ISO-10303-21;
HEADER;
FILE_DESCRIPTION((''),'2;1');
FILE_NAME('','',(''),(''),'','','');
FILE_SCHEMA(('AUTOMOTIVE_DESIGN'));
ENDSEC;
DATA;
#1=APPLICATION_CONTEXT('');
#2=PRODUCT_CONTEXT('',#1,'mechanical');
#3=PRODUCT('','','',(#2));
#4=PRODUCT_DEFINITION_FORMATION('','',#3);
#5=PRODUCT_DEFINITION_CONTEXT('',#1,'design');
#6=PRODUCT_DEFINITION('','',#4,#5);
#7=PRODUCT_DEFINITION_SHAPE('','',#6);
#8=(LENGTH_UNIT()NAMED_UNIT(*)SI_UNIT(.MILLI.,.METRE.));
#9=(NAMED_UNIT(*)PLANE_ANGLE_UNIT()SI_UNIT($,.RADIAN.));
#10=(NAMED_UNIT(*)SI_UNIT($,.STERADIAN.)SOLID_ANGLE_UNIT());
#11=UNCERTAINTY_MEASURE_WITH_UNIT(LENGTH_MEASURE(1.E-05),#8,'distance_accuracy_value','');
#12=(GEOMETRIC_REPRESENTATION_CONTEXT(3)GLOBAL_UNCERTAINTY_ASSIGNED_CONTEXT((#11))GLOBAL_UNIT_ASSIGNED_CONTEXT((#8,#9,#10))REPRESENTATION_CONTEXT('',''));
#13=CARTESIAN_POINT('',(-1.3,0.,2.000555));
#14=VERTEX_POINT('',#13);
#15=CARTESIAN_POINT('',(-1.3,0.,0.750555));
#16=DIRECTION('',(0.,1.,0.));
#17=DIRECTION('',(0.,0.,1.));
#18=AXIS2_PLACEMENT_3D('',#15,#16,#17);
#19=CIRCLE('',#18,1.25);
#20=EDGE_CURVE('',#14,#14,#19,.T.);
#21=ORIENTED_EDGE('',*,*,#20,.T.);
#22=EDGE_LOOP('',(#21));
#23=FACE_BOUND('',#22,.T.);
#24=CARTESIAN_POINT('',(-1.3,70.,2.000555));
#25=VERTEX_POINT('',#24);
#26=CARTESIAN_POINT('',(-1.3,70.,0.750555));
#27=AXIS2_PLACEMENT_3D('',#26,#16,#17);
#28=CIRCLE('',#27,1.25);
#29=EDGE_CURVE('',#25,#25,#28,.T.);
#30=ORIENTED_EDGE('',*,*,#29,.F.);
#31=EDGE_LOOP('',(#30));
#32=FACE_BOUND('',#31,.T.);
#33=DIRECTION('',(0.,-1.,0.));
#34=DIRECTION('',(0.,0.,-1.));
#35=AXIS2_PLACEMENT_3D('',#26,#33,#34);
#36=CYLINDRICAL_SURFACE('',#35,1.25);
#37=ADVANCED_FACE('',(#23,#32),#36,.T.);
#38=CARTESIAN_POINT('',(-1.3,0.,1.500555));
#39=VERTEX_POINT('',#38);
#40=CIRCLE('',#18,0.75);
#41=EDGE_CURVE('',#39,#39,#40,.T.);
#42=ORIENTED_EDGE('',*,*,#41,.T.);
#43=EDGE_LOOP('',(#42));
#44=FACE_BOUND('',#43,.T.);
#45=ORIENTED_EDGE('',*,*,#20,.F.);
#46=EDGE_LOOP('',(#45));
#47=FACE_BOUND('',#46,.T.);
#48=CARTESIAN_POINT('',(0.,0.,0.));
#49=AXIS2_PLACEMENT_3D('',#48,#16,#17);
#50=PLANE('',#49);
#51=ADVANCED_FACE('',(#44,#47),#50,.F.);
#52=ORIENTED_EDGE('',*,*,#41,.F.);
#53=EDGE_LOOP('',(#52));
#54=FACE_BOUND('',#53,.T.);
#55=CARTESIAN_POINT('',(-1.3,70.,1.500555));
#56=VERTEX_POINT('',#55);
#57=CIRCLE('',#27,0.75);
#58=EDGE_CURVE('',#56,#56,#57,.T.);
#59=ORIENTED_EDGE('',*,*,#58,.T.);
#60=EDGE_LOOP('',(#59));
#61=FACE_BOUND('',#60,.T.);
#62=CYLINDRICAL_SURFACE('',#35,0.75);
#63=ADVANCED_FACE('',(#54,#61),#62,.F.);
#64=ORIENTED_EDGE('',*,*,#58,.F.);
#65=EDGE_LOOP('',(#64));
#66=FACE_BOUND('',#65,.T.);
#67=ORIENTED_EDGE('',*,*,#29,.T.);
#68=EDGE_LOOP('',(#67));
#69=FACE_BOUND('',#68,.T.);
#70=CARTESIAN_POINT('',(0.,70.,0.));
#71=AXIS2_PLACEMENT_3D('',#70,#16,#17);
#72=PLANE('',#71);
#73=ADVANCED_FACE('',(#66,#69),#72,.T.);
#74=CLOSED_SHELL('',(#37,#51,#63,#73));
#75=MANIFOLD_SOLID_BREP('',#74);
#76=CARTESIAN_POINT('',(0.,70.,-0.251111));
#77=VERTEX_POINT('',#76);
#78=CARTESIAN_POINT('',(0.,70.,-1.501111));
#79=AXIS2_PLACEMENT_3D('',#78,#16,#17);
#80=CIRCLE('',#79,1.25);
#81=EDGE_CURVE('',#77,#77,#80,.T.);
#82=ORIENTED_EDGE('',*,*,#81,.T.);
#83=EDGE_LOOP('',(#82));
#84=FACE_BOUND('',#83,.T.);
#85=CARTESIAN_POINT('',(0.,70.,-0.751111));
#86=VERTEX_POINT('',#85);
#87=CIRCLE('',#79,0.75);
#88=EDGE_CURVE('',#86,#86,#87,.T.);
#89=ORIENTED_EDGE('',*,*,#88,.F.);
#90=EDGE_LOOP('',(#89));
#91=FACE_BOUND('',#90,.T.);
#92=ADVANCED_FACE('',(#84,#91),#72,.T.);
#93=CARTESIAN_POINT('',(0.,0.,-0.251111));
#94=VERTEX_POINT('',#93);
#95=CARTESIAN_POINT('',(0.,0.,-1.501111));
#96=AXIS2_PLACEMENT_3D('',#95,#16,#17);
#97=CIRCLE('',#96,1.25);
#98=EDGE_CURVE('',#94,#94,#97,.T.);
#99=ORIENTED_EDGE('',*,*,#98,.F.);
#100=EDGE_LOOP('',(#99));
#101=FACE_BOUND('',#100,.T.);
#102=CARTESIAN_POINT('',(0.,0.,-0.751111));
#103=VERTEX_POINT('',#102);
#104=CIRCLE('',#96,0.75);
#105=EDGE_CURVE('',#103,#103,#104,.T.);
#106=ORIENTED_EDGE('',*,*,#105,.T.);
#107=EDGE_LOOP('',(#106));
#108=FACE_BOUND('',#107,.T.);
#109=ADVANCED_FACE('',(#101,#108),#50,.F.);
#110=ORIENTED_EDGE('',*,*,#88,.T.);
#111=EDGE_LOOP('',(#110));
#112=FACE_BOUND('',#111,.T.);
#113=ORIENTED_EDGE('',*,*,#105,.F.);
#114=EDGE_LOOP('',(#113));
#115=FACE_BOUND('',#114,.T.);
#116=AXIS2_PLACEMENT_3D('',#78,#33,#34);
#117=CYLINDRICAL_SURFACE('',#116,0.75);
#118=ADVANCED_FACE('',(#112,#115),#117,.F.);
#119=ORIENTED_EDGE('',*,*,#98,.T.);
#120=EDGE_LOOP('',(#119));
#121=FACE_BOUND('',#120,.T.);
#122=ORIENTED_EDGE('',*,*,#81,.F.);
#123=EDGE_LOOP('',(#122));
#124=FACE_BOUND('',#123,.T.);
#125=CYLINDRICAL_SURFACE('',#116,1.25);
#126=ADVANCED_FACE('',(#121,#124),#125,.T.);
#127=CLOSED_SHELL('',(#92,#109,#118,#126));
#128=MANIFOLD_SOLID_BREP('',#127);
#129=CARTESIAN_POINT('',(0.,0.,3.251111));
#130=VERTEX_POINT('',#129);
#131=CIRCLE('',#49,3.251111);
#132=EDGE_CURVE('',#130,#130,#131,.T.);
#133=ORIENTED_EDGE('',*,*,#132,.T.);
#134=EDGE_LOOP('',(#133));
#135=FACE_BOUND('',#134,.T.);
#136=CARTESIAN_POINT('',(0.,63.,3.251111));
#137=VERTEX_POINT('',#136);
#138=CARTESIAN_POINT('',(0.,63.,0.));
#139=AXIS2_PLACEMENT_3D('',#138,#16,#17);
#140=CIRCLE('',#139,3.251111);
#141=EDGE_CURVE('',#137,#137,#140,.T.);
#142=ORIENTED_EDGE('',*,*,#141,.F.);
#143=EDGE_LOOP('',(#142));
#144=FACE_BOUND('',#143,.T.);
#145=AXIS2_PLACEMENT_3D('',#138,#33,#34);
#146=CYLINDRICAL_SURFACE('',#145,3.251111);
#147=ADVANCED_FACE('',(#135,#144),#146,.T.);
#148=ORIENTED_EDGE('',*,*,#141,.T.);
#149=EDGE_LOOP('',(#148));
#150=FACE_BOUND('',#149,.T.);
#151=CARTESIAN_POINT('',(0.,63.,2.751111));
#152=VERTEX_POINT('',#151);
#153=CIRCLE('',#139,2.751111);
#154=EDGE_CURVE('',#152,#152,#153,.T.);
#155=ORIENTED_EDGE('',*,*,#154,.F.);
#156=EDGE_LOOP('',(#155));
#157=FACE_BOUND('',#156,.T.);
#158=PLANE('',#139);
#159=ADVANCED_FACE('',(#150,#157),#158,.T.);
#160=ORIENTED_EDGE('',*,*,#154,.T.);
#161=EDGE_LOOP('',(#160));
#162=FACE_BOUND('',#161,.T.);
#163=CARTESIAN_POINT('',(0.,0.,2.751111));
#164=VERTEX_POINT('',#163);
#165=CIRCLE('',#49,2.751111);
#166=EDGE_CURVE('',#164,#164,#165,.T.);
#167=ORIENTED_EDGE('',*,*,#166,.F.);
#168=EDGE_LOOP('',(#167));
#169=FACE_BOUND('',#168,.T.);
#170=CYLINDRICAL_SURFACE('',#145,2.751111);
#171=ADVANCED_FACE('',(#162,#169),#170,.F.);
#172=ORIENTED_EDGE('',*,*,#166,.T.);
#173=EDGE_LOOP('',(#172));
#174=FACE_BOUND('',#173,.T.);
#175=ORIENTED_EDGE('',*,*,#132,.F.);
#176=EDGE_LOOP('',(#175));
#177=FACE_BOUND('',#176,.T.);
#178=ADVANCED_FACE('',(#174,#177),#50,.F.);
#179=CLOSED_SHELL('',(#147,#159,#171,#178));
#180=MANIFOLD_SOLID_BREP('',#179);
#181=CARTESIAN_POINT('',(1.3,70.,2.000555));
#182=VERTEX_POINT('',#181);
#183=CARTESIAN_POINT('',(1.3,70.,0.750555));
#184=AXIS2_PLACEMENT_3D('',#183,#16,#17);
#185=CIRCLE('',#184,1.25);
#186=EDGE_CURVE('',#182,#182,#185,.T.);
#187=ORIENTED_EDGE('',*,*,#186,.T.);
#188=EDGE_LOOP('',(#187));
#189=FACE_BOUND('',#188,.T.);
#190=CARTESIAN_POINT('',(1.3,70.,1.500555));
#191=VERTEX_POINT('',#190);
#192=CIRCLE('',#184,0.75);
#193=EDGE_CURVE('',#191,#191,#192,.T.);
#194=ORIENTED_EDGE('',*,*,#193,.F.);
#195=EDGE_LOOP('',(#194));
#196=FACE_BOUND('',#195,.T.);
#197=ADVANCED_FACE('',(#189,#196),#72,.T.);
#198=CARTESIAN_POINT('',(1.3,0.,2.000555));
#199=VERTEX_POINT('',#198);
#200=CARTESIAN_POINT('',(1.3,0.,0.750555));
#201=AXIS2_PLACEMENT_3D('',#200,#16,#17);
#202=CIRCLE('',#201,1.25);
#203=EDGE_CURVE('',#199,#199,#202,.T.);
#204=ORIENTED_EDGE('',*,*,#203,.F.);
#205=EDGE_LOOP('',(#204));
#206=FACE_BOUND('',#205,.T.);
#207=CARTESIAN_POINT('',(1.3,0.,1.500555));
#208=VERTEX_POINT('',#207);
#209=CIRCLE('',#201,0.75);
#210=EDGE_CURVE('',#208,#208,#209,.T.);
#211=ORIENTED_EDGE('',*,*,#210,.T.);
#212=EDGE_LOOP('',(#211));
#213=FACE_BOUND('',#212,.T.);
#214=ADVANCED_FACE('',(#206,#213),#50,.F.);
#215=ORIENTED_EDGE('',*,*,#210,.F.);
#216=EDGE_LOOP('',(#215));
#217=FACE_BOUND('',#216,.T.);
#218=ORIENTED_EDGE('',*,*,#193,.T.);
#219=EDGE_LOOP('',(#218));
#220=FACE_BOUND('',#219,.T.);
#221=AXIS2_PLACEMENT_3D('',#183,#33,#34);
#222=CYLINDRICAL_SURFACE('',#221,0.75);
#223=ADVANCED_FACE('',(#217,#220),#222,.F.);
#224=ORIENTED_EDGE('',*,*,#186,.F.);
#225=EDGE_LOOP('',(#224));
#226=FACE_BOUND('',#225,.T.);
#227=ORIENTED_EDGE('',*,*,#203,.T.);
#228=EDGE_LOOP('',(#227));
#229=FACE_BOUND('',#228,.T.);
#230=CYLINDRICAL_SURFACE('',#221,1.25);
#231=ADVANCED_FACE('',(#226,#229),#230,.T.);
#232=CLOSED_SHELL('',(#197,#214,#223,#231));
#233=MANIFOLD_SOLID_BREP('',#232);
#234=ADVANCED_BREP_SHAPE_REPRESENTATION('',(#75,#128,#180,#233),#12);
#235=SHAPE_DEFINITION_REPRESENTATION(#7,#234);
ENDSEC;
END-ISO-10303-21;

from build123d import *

# Parameters (mm, degrees)
SKETCH1_R             = 1.25
SKETCH1_R_2           = 0.75
BOSS_EXTRUDE1_DEPTH   = 70
BOSS_EXTRUDE1_2_DEPTH = 70
BOSS_EXTRUDE1_3_DEPTH = 70
SKETCH1_3_R           = 3.2511107
BOSS_EXTRUDE2_DEPTH   = 63


with BuildPart() as part:
    # Sketch1 → Boss-Extrude1 (new body)
    with BuildSketch(Plane(origin=(0, 0, 0), x_dir=(1, 0, 0), z_dir=(0, 1, 0))):
        with Locations((-1.3, -0.75055535)):
            Circle(SKETCH1_R)
        with Locations((-1.3, -0.75055535)):
            Circle(SKETCH1_R_2, mode=Mode.SUBTRACT)
    extrude(amount=BOSS_EXTRUDE1_DEPTH)


with BuildPart() as body_2:
    # Sketch1 → Boss-Extrude1 2 (new body)
    with BuildSketch(Plane(origin=(0, 0, 0), x_dir=(1, 0, 0), z_dir=(0, 1, 0))):
        with Locations((1.3, -0.75055535)):
            Circle(SKETCH1_R)
        with Locations((1.3, -0.75055535)):
            Circle(SKETCH1_R_2, mode=Mode.SUBTRACT)
    extrude(amount=BOSS_EXTRUDE1_2_DEPTH)


with BuildPart() as body_3:
    # Sketch1 → Boss-Extrude1 3 (new body)
    with BuildSketch(Plane(origin=(0, 0, 0), x_dir=(1, 0, 0), z_dir=(0, 1, 0))):
        with Locations((0, 1.5011107)):
            Circle(SKETCH1_R)
        with Locations((0, 1.5011107)):
            Circle(SKETCH1_R_2, mode=Mode.SUBTRACT)
    extrude(amount=BOSS_EXTRUDE1_3_DEPTH)


with BuildPart() as body_4:
    # Sketch1<3> → Boss-Extrude2 (new body)
    with BuildSketch(Plane(origin=(0, 0, 0), x_dir=(1, 0, 0), z_dir=(0, 1, 0))):
        Circle(SKETCH1_3_R)
        with BuildLine():
            ThreePointArc((2.382531738, -1.375555379), (-8e-09, -2.7511107), (-2.382531746, -1.375555364))
            ThreePointArc((-2.382531746, -1.375555364), (-2.382531759, 1.375555343), (0, 2.7511107))
            ThreePointArc((0, 2.7511107), (1.945329032, 1.945329032), (2.7511107, 0))
            ThreePointArc((2.7511107, 0), (2.657368872, -0.71203986), (2.382531738, -1.375555379))
        make_face(mode=Mode.SUBTRACT)
    extrude(amount=BOSS_EXTRUDE2_DEPTH)


solid = Compound([part.part, body_2.part, body_3.part, body_4.part])
